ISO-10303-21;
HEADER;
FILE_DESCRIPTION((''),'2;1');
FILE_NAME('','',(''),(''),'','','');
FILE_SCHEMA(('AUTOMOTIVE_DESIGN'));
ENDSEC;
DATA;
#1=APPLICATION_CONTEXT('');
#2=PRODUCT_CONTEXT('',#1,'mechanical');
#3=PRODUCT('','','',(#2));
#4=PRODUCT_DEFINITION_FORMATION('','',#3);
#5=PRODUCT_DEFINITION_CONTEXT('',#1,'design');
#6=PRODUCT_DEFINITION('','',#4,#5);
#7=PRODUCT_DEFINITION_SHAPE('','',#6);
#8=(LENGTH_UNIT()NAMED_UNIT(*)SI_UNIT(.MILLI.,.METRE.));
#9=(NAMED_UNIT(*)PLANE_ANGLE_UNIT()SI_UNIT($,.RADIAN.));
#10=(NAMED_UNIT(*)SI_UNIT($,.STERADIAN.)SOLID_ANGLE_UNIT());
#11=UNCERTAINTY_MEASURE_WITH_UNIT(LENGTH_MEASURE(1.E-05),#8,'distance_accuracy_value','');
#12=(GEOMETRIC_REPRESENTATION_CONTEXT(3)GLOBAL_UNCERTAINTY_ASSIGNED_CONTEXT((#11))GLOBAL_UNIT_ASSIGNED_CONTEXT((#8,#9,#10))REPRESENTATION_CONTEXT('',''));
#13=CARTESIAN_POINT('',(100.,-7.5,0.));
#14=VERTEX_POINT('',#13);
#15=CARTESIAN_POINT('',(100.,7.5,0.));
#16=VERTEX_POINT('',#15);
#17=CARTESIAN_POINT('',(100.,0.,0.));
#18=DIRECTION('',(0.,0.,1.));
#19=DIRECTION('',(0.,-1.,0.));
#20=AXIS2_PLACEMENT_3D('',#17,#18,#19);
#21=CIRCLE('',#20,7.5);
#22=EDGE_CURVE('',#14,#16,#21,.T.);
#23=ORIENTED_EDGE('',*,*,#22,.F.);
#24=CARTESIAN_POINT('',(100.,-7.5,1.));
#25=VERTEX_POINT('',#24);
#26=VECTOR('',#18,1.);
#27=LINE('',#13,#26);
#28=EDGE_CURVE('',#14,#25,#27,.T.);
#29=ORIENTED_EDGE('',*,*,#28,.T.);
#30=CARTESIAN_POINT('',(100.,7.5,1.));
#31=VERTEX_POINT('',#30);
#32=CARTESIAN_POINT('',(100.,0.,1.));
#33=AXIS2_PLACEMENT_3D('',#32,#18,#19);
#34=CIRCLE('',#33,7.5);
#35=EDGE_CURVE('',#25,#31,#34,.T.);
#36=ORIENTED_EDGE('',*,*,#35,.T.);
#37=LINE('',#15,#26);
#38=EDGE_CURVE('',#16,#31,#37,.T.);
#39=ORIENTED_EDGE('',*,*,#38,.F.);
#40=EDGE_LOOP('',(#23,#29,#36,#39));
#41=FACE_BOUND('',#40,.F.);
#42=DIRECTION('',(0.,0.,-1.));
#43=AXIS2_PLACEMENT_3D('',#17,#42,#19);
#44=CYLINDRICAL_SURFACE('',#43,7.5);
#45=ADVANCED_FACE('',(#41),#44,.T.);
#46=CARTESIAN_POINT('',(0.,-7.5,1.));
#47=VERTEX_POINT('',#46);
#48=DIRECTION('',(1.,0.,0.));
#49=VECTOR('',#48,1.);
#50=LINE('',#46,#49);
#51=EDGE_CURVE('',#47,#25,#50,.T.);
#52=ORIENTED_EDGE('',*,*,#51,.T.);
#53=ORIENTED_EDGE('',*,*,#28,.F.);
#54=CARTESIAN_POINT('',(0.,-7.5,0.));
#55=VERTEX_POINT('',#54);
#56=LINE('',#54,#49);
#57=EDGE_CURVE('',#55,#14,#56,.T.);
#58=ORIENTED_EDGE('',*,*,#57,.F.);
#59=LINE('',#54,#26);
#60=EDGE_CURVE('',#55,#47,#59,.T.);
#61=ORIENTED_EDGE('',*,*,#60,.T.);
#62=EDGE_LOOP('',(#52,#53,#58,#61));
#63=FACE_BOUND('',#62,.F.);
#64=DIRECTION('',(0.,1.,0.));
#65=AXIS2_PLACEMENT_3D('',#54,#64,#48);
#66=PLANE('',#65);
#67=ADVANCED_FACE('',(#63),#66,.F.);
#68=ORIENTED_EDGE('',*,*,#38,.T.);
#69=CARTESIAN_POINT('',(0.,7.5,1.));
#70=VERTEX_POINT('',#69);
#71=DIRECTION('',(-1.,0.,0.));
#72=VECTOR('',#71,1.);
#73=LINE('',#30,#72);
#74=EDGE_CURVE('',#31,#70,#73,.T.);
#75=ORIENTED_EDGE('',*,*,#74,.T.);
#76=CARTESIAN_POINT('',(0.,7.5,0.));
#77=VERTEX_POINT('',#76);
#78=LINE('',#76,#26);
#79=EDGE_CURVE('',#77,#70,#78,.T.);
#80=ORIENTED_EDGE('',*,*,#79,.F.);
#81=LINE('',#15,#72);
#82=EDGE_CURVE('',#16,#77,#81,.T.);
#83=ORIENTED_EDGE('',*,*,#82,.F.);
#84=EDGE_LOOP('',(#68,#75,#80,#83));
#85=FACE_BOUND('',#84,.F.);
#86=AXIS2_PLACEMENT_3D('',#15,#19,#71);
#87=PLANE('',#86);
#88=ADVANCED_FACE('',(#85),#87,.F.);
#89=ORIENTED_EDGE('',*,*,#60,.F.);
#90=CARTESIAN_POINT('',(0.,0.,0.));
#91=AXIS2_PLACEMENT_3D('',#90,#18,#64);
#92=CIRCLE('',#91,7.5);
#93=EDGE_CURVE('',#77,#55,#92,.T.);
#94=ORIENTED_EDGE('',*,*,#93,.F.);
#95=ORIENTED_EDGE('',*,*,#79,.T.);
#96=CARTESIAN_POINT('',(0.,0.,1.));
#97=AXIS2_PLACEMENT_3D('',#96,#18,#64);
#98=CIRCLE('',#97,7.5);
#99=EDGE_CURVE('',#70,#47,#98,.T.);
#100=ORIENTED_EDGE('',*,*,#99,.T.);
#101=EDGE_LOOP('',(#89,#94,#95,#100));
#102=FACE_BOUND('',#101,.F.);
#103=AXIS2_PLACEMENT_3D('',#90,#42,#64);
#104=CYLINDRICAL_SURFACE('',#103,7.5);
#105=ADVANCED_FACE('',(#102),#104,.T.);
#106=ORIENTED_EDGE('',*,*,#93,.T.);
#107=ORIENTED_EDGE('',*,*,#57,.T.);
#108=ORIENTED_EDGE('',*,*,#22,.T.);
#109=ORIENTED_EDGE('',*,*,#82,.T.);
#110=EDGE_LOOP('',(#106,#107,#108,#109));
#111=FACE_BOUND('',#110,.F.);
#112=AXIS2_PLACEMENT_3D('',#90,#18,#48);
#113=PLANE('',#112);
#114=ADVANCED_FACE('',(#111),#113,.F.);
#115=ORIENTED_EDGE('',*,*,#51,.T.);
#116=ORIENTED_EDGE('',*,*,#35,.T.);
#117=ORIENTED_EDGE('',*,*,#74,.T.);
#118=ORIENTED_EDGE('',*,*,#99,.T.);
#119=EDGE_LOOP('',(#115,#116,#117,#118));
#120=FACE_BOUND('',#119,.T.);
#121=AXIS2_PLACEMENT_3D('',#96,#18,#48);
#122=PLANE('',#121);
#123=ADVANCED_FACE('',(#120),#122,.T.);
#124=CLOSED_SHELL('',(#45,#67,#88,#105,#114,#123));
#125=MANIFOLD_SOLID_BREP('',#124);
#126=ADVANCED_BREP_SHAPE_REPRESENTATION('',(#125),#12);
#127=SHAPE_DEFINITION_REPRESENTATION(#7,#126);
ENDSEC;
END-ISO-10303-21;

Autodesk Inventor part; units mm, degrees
ref_plane "YZ Plane" through (0, 0, 0) normal (1, 0, 0) x (0, 1, 0)
ref_plane "XZ Plane" through (0, 0, 0) normal (0, 1, 0) x (-1, 0, 0)
ref_plane "XY Plane" through (0, 0, 0) normal (0, 0, 1) x (1, 0, 0)
sketch "草图1" plane through (0, 0, 0) normal (0, 0, 1) x (1, 0, 0)
  line L0 (0, 0) -> (100, 0) construction
  line L1 (0, -7.5) -> (100, -7.5)
  line L2 (100, 7.5) -> (0, 7.5)
  arc A0 (0, 7.5) -> (0, -7.5) centre (0, 0) ccw
  arc A1 (100, -7.5) -> (100, 7.5) centre (100, 0) ccw
  point P0 (50, 0)
  dimension "d1" = 100
  dimension "d4" = 7.5
extrude "拉伸1" add sketch "草图1" along normal blind 1
properties part number "大臂01"
